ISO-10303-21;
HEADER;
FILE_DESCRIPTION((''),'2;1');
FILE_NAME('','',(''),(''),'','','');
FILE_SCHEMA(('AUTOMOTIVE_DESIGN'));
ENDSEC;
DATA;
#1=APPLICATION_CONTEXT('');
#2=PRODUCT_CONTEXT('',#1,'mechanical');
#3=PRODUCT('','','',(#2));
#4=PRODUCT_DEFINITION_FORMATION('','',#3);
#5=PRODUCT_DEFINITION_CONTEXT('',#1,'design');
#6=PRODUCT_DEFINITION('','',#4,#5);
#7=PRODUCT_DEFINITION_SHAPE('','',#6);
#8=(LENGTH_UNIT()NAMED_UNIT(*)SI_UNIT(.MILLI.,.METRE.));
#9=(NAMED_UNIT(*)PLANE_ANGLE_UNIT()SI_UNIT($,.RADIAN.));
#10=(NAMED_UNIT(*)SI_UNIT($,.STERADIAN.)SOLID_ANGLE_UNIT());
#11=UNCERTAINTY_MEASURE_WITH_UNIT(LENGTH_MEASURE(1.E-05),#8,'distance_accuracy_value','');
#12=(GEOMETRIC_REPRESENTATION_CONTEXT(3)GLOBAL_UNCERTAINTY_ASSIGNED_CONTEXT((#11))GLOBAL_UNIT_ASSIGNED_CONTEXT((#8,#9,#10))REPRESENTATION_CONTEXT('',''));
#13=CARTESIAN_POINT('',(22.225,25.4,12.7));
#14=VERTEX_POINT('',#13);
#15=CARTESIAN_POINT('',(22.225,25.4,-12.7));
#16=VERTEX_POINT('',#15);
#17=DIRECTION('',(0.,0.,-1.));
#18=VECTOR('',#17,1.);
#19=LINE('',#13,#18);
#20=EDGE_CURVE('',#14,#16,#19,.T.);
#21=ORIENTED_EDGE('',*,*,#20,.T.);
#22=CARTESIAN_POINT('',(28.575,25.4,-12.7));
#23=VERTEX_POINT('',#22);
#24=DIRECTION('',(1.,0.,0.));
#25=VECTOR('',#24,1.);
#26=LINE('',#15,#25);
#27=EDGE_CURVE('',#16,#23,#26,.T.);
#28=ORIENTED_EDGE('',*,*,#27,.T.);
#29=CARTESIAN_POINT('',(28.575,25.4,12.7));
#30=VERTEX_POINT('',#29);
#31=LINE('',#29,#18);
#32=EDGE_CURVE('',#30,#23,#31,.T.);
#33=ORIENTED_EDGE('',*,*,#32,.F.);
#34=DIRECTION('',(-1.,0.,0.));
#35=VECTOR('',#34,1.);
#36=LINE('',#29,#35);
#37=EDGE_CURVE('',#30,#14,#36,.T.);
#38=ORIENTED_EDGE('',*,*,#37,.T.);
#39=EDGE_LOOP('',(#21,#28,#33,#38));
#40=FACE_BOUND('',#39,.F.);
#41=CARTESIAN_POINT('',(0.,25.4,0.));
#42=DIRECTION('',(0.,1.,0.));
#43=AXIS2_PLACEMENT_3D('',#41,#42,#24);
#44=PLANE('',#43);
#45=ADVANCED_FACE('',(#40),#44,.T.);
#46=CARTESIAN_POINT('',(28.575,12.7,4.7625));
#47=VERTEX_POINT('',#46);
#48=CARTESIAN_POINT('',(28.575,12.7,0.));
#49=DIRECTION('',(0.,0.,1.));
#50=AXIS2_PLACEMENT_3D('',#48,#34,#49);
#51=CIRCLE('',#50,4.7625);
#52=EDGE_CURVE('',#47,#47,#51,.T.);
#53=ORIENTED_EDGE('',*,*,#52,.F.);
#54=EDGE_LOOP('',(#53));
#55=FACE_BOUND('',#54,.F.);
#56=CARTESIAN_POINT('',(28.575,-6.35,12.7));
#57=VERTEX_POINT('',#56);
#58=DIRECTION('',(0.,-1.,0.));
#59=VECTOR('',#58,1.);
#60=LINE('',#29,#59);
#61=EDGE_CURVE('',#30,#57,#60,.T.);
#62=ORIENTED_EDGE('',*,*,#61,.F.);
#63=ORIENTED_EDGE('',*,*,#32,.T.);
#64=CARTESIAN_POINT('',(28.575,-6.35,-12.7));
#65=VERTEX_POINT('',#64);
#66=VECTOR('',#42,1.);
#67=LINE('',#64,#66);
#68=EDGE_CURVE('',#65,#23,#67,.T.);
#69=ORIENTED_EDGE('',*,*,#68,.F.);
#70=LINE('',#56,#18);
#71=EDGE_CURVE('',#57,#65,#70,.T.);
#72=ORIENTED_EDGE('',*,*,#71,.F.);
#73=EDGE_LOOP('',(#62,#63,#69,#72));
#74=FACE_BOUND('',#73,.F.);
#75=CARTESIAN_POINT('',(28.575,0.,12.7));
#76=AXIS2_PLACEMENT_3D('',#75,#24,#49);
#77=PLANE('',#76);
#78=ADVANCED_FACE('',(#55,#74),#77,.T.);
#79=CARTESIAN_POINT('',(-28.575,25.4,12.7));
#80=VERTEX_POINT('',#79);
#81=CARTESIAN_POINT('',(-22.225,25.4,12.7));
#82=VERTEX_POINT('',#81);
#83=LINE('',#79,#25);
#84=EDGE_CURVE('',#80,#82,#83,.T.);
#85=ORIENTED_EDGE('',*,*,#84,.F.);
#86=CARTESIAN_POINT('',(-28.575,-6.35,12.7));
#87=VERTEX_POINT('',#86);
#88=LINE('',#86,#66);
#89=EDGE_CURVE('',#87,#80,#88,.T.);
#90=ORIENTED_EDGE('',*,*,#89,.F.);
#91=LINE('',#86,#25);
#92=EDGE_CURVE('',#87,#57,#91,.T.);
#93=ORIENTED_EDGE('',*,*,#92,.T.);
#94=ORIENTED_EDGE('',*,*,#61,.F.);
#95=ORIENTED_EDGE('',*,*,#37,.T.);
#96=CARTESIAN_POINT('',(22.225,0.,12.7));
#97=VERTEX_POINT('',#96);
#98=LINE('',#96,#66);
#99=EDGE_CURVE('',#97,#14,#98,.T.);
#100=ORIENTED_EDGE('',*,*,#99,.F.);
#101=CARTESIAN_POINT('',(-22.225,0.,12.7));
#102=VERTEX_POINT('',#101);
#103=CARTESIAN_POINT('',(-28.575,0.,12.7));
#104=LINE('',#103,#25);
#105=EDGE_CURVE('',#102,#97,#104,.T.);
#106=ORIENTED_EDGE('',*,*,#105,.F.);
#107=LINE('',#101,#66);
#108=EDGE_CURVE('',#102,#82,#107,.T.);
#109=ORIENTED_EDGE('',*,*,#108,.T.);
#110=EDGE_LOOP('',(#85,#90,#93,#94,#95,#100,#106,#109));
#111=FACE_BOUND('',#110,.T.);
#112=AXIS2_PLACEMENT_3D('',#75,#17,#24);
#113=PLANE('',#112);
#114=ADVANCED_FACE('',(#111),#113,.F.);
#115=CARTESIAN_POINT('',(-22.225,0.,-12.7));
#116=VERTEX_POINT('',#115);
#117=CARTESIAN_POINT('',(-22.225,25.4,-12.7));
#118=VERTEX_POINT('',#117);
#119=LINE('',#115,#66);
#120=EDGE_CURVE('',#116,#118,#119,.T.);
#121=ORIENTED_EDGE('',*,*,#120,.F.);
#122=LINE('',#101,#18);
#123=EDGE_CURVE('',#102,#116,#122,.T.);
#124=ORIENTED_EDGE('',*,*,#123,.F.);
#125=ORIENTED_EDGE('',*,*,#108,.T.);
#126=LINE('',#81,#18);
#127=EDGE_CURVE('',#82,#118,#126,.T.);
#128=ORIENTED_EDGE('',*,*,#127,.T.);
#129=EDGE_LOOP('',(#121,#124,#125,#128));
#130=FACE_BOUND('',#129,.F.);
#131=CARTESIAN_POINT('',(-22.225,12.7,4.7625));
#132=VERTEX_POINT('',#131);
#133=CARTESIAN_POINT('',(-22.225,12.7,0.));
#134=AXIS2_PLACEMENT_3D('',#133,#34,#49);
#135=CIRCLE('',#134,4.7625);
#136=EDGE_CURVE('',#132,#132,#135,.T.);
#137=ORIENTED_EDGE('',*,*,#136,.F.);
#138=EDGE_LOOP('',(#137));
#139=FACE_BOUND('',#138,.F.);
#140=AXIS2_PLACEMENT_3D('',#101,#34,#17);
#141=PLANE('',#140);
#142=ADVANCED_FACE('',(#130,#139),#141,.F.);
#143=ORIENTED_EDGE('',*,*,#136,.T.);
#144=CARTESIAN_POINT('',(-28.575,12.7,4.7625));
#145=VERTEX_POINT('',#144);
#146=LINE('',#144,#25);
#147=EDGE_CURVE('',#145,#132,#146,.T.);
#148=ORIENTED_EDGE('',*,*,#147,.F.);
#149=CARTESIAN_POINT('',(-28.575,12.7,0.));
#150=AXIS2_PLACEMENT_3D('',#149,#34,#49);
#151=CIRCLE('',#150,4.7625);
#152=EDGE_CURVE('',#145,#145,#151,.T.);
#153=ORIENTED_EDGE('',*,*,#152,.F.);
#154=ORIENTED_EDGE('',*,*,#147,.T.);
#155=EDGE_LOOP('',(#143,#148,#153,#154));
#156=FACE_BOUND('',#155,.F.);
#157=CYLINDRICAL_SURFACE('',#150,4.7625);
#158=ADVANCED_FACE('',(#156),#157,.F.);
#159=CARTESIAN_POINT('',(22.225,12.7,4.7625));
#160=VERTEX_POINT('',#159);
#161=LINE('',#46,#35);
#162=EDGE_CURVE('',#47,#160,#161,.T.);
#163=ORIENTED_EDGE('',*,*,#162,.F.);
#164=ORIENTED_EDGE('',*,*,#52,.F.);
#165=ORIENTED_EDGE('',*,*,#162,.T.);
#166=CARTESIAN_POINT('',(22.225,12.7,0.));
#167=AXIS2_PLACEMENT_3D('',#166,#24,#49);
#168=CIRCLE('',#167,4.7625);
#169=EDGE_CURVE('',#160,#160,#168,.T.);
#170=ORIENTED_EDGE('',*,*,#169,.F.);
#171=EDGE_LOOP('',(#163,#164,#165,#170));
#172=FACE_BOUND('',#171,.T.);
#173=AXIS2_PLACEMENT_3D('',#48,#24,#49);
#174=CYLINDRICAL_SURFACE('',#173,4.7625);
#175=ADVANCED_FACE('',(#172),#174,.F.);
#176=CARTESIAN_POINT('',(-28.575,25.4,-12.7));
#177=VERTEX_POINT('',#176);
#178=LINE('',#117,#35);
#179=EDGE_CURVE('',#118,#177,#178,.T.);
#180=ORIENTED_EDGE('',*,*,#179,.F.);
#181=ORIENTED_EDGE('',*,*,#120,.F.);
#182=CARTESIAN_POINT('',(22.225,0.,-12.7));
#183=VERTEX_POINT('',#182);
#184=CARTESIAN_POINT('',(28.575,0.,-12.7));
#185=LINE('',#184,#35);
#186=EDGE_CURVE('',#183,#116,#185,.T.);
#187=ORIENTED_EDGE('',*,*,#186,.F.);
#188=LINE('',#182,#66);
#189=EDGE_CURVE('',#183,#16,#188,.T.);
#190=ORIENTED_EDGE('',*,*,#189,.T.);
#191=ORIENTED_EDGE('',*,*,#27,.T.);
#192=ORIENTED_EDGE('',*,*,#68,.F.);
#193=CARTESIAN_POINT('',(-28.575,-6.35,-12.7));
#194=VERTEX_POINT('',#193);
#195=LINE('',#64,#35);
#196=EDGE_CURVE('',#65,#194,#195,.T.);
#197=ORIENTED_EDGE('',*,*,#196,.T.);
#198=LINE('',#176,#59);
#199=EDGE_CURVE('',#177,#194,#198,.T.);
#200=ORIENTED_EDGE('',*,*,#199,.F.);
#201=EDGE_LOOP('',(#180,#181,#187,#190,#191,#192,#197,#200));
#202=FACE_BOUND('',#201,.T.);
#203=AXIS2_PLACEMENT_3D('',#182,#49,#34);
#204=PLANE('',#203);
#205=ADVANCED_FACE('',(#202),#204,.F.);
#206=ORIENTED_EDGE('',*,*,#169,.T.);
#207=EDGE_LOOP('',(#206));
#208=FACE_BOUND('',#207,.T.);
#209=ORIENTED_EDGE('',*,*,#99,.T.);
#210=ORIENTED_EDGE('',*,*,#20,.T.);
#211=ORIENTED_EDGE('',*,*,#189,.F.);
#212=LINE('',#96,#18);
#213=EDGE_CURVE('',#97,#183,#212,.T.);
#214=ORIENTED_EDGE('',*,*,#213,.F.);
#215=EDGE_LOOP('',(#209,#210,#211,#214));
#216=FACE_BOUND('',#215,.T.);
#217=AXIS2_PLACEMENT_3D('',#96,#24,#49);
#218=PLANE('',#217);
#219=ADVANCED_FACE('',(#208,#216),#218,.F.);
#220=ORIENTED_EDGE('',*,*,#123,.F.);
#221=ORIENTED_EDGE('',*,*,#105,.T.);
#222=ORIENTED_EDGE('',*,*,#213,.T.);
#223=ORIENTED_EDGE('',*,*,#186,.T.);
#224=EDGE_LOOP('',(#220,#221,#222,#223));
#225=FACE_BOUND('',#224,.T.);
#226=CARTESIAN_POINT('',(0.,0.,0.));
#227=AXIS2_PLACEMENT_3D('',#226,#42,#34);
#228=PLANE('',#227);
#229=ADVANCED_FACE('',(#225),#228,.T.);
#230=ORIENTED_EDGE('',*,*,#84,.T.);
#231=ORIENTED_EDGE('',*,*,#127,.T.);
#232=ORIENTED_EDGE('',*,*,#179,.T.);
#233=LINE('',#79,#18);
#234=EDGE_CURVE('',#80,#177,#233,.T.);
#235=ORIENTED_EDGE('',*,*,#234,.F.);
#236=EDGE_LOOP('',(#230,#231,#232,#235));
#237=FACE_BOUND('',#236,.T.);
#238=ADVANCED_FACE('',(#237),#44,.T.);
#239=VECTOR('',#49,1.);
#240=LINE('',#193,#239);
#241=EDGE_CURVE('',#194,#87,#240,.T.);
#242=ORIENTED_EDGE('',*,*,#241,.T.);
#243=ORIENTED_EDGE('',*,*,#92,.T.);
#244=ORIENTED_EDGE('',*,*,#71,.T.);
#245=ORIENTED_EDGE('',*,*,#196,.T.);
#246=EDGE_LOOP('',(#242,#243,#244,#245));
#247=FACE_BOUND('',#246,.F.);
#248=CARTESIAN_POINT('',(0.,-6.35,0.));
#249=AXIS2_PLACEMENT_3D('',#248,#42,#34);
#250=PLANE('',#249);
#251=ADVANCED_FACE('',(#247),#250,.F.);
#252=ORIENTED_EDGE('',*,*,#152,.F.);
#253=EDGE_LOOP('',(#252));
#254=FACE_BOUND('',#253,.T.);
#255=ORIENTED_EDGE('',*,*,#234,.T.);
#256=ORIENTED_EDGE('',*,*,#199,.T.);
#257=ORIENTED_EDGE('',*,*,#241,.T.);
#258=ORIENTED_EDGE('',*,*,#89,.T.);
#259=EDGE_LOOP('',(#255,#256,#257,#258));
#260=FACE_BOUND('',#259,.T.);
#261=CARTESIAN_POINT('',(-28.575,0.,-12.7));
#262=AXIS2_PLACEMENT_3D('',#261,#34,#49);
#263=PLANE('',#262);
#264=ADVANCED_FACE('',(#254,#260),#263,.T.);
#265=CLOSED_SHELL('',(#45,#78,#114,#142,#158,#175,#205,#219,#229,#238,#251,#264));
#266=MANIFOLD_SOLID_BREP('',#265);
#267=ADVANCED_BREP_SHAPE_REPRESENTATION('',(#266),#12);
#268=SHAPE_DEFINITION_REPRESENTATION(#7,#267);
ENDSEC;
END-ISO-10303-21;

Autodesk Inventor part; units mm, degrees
ref_plane "XZ Plane" through (0, 0, 0) normal (0, 1, 0) x (-1, 0, 0)
sketch "Sketch1" plane through (0, 0, 0) normal (0, 1, 0) x (-1, 0, 0)
  line L0 (28.575, 12.7) -> (-28.575, 12.7)
  line L1 (-28.575, 12.7) -> (-28.575, -12.7)
  line L2 (-28.575, -12.7) -> (28.575, -12.7)
  line L3 (28.575, -12.7) -> (28.575, 12.7)
  line L4 (28.575, 12.7) -> (-28.575, -12.7) construction
  line L5 (-28.575, 12.7) -> (28.575, -12.7) construction
  point P0 (0, 0)
  dimension "d0" = 57.15
  dimension "d1" = 25.4
extrude "Extrusion1" add sketch "Sketch1" against normal blind 6.35
sketch "Sketch2" plane through (0, 0, 0) normal (0, 1, 0) x (1, 0, 0)
  line L0 (-28.575, -12.7) -> (-28.575, 12.7) projected
  line L1 (-28.575, -12.7) -> (-22.225, -12.7)
  line L2 (-22.225, -12.7) -> (-22.225, 12.7)
  line L3 (-22.225, 12.7) -> (-28.575, 12.7)
  line L4 (-28.575, 12.7) -> (-28.575, -12.7)
  point P0 (0, 0)
  dimension "d4" = 6.35
extrude "Extrusion2" add sketch "Sketch2" along normal blind 25.4
sketch "Sketch3" plane through (-28.575, -6.35, -12.7) normal (-1, 0, 0) x (0, 0, 1)
  circle A0 centre (12.7, 19.05) radius 4.7625
  line L0 (0, 31.75) -> (25.4, 31.75) projected
  circle A1 centre (12.7, -19.05) radius 4.0284
  point P0 (12.7, 6.35)
  dimension "d7" = 9.525
  dimension "d8" = 12.7
  dimension "d11" = 50.8
extrude "Extrusion3" cut sketch "Sketch3" against normal through all contours A0
mirror "Mirror1" about plane through (0, 0, 0) normal (1, 0, 0) of "Extrusion2", "Extrusion3"
properties part number "camPostHolderV02"
